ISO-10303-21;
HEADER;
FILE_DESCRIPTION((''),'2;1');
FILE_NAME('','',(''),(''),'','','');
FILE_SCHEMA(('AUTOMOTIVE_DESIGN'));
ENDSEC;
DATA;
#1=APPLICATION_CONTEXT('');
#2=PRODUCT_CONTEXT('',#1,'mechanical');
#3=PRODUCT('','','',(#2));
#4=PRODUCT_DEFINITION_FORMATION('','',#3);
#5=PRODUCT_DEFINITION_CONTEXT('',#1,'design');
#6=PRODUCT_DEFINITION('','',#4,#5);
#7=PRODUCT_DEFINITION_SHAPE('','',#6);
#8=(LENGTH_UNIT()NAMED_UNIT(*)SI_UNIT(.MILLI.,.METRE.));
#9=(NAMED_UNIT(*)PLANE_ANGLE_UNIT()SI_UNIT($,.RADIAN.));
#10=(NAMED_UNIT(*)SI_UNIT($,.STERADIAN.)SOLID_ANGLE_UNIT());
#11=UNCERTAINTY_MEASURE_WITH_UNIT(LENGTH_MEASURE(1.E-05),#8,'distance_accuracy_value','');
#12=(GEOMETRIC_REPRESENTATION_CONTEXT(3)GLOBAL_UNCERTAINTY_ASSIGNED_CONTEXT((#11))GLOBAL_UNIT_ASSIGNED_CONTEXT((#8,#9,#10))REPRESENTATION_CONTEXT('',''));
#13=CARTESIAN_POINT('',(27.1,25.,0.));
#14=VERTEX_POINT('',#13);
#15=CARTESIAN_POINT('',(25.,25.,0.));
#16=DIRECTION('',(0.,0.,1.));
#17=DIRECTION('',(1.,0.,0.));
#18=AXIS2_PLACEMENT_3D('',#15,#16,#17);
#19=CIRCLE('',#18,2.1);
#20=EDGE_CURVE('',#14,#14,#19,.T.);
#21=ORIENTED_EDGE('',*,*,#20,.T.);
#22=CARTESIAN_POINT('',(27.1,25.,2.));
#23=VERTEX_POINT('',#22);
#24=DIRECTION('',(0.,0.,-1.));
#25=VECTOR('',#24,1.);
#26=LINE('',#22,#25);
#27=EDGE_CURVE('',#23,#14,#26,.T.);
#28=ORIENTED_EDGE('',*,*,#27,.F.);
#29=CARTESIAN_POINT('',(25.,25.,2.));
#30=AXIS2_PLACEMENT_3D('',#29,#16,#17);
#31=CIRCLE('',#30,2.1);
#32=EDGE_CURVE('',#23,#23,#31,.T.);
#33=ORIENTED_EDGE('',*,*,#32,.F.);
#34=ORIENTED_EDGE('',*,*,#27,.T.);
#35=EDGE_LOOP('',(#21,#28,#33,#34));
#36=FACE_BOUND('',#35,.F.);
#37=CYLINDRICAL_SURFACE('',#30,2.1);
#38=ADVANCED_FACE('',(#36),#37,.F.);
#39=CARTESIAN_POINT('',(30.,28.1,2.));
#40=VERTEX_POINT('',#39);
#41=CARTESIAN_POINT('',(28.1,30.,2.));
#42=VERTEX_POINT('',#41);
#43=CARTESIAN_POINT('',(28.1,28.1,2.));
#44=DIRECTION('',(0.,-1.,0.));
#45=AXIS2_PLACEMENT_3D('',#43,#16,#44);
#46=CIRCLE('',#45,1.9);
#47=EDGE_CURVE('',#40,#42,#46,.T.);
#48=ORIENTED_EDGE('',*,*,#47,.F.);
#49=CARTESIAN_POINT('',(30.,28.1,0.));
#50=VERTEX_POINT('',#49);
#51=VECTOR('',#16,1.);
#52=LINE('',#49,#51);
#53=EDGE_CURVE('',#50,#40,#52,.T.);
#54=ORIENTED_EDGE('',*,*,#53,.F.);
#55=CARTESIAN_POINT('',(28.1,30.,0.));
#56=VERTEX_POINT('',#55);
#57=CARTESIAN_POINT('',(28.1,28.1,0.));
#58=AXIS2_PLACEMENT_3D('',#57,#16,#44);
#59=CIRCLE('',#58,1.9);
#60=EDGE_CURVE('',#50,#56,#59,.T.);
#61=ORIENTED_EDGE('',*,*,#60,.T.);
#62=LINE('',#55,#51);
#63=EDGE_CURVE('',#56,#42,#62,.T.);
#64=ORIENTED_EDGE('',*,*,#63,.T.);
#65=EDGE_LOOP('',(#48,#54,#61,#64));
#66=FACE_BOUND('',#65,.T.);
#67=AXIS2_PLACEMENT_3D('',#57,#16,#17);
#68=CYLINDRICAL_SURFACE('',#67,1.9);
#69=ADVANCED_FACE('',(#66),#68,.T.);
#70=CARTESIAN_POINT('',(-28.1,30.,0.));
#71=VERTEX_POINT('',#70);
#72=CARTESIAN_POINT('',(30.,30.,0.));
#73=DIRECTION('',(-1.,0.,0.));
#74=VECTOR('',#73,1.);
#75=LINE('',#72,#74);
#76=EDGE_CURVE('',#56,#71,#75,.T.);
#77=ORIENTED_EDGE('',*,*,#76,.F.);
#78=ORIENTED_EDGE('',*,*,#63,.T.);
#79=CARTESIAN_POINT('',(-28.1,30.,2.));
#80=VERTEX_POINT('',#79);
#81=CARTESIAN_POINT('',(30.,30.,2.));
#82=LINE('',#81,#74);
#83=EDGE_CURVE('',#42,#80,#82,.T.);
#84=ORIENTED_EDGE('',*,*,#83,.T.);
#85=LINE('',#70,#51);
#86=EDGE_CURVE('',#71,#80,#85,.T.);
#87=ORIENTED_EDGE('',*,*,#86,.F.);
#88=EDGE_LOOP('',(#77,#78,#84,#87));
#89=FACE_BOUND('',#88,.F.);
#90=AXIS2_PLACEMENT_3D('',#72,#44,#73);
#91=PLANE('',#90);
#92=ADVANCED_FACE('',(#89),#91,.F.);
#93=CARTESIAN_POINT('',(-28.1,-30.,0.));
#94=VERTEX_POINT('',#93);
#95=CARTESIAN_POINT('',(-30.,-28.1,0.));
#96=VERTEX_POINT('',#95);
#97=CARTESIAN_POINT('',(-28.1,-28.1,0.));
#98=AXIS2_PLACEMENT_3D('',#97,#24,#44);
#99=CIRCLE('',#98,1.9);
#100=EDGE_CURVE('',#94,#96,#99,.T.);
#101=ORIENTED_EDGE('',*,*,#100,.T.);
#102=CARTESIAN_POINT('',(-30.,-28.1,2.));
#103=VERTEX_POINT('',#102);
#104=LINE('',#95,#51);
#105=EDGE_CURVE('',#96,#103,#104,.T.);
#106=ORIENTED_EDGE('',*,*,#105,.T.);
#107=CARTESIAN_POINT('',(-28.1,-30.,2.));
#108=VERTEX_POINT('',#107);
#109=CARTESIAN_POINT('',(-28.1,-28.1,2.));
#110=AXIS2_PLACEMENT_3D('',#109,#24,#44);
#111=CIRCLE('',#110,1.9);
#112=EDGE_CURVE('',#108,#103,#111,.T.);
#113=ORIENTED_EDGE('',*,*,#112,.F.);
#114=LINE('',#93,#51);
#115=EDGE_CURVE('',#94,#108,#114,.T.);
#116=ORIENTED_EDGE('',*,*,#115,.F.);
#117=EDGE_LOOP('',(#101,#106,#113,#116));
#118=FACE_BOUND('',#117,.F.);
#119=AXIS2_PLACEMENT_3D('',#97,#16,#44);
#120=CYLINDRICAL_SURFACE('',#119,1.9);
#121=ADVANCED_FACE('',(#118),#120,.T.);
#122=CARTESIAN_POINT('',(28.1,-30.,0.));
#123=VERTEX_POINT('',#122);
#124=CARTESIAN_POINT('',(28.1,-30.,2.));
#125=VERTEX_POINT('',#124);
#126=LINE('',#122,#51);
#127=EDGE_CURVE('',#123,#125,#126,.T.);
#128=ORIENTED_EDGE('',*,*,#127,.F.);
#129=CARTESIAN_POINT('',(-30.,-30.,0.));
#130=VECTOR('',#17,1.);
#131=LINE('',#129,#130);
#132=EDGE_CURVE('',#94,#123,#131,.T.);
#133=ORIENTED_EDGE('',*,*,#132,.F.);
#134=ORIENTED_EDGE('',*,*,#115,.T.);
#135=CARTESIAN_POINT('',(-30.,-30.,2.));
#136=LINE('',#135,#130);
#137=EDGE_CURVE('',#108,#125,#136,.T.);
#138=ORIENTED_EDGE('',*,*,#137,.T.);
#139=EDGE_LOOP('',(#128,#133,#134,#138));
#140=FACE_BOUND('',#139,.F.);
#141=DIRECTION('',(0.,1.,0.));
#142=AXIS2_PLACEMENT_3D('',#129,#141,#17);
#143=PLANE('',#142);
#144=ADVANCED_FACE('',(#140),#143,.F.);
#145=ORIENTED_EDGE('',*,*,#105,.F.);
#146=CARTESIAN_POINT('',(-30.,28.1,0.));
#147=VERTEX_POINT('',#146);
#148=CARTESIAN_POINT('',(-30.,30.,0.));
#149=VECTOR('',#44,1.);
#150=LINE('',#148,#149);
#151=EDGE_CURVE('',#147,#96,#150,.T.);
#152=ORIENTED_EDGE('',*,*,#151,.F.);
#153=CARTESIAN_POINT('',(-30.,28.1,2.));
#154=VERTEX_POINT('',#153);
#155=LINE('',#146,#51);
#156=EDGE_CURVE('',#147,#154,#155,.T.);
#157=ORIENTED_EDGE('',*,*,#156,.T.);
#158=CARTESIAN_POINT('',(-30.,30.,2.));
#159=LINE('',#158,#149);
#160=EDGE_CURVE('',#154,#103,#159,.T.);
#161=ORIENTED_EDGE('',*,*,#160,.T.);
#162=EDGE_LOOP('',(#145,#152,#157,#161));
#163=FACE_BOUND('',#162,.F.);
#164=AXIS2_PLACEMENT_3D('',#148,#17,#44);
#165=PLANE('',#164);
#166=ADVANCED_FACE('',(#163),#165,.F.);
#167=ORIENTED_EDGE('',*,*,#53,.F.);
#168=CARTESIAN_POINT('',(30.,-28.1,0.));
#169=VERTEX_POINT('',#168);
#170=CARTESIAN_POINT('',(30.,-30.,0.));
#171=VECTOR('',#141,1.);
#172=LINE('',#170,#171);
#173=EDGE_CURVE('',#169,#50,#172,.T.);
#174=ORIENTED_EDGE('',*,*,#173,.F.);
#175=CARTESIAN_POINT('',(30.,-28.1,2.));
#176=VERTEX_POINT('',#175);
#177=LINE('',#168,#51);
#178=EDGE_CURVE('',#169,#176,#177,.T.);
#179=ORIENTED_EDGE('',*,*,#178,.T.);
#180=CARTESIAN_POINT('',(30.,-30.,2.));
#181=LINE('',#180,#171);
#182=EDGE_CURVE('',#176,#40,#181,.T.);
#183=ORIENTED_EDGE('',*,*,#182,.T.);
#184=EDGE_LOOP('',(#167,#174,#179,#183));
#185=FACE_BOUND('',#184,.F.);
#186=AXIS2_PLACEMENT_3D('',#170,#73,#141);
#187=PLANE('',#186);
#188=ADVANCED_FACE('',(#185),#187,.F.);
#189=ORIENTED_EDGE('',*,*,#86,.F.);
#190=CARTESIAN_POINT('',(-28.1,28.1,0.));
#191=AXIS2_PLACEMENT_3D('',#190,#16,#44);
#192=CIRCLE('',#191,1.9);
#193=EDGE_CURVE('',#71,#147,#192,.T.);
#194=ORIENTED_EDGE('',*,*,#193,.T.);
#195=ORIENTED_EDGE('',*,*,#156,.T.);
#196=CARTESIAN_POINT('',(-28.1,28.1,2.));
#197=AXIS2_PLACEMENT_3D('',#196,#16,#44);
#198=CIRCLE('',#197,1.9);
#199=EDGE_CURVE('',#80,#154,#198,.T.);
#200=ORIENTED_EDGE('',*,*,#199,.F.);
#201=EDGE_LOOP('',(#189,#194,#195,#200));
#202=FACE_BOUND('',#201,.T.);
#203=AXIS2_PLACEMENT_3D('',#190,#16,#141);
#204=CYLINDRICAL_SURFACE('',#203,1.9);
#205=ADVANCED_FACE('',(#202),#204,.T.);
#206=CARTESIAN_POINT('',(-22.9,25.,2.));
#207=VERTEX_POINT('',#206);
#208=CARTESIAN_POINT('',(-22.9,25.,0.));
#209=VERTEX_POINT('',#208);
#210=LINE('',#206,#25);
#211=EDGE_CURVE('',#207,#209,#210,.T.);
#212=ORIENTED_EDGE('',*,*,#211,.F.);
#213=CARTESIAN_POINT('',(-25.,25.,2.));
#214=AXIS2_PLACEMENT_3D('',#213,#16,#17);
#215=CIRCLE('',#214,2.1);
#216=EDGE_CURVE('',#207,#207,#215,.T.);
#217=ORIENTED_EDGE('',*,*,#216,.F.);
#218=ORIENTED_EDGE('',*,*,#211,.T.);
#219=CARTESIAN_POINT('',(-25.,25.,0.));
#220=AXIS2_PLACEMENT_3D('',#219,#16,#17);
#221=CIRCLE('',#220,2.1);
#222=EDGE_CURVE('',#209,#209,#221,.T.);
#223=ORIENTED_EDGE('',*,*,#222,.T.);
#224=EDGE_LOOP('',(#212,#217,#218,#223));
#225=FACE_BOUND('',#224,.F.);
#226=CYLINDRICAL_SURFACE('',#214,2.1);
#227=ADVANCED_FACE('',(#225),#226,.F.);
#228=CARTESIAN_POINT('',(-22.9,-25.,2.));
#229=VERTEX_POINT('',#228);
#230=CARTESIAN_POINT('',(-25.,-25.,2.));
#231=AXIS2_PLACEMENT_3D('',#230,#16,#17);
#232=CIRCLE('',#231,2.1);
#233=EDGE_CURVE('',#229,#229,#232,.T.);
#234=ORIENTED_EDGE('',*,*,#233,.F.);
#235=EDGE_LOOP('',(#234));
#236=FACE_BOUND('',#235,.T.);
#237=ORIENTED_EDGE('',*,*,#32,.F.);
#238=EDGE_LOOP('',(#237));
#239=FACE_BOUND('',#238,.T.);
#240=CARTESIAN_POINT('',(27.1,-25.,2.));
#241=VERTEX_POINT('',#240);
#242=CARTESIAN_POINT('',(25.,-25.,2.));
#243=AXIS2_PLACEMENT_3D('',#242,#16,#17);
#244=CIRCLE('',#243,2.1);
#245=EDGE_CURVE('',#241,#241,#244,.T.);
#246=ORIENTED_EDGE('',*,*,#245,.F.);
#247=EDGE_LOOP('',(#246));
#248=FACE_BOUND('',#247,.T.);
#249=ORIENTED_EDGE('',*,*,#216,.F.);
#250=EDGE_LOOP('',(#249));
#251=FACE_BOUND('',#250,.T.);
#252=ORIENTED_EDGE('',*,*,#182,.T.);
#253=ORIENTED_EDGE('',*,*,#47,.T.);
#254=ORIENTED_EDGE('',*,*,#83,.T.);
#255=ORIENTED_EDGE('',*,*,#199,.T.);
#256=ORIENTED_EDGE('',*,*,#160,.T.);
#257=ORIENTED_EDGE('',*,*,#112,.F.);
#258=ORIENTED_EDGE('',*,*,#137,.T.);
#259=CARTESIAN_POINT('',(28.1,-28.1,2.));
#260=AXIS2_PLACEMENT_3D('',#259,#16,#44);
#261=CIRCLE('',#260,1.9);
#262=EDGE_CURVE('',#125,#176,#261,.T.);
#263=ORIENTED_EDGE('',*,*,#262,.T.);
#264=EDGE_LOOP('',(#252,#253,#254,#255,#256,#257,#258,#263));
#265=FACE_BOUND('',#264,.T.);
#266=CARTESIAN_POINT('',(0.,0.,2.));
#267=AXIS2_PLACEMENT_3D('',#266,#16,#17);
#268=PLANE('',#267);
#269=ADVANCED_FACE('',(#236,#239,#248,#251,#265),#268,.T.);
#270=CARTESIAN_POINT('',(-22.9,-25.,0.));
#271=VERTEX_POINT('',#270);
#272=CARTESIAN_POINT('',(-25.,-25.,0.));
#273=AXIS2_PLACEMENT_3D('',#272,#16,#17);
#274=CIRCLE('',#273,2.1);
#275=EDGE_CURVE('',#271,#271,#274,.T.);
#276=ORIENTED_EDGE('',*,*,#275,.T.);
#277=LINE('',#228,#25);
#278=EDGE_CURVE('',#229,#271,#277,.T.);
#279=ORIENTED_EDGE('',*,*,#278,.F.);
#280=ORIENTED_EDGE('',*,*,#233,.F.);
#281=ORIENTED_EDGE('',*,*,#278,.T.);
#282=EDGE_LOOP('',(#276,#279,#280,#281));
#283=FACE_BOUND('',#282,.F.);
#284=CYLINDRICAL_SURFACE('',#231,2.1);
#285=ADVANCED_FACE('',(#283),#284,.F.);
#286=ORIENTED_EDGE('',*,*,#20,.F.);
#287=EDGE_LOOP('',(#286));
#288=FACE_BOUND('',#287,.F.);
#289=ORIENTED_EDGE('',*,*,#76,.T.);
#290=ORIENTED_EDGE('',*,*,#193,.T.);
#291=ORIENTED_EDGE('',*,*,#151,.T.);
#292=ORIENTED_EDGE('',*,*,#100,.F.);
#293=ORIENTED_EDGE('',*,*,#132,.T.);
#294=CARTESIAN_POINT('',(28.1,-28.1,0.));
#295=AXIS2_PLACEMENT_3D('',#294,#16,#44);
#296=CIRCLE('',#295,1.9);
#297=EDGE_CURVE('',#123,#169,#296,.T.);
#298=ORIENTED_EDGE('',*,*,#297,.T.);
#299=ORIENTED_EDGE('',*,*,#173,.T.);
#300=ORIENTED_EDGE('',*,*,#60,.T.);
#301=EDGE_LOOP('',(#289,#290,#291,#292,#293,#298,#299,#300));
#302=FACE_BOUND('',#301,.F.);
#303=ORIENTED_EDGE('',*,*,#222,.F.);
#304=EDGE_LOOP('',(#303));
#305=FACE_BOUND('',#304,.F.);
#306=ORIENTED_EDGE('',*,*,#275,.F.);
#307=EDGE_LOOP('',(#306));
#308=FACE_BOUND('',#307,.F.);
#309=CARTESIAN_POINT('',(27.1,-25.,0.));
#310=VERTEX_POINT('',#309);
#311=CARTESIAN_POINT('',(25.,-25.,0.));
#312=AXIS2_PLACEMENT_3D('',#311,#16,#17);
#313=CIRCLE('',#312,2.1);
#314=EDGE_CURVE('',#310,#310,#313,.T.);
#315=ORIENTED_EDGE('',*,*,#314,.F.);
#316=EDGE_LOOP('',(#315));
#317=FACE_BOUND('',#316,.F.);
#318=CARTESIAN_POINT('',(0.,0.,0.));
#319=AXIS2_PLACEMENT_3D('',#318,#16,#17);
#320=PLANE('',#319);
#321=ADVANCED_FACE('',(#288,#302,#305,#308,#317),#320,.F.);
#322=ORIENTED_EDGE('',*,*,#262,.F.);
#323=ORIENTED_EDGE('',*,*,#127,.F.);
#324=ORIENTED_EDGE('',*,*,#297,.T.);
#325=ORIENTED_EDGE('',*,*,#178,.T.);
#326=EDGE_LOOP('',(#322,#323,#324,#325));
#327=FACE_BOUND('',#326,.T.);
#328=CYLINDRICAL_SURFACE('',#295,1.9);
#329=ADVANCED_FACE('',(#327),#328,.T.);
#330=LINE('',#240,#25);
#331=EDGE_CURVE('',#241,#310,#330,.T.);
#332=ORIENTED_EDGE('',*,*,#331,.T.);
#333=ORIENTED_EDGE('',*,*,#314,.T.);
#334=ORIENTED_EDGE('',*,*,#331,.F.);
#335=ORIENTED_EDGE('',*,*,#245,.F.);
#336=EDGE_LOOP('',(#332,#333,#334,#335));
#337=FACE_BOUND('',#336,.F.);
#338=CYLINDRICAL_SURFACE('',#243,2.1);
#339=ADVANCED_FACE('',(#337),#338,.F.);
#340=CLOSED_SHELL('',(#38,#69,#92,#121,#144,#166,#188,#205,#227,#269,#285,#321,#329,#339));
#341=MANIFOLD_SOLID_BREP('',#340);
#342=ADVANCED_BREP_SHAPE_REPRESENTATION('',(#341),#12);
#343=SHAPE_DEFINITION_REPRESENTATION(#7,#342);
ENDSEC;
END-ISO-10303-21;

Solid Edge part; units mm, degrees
sketch "Sketch1" plane through (0, 0, 0) normal (0, 0, 1) x (1, 0, 0)
  line L0 (-30, -30) -> (30, -30)
  line L1 (30, -30) -> (30, 30)
  line L2 (30, 30) -> (-30, 30)
  line L3 (-30, 30) -> (-30, -30)
  dimension "D1" = 60
  dimension "D2" = 60
extrude "Protrusion1" add sketch "Sketch1" along normal blind 2
fillet "Congé_1" radius 1.9 4 edges at (30, -30, 1) (-30, -30, 1) (30, 30, 1) (-30, 30, 1)
sketch "Sketch2" plane through (0, 0, 2) normal (0, 0, 1) x (1, 0, 0)
  circle A0 centre (-25, 25) radius 2.1
  circle A1 centre (-25, -25) radius 2.1
  circle A2 centre (25, -25) radius 2.1
  circle A3 centre (25, 25) radius 2.1
  dimension "D1" = 5
  dimension "D2" = 5
  dimension "D3" = 5
  dimension "D4" = 5
  dimension "D5" = 4.2
extrude "Cutout1" cut sketch "Sketch2" against normal up to next
